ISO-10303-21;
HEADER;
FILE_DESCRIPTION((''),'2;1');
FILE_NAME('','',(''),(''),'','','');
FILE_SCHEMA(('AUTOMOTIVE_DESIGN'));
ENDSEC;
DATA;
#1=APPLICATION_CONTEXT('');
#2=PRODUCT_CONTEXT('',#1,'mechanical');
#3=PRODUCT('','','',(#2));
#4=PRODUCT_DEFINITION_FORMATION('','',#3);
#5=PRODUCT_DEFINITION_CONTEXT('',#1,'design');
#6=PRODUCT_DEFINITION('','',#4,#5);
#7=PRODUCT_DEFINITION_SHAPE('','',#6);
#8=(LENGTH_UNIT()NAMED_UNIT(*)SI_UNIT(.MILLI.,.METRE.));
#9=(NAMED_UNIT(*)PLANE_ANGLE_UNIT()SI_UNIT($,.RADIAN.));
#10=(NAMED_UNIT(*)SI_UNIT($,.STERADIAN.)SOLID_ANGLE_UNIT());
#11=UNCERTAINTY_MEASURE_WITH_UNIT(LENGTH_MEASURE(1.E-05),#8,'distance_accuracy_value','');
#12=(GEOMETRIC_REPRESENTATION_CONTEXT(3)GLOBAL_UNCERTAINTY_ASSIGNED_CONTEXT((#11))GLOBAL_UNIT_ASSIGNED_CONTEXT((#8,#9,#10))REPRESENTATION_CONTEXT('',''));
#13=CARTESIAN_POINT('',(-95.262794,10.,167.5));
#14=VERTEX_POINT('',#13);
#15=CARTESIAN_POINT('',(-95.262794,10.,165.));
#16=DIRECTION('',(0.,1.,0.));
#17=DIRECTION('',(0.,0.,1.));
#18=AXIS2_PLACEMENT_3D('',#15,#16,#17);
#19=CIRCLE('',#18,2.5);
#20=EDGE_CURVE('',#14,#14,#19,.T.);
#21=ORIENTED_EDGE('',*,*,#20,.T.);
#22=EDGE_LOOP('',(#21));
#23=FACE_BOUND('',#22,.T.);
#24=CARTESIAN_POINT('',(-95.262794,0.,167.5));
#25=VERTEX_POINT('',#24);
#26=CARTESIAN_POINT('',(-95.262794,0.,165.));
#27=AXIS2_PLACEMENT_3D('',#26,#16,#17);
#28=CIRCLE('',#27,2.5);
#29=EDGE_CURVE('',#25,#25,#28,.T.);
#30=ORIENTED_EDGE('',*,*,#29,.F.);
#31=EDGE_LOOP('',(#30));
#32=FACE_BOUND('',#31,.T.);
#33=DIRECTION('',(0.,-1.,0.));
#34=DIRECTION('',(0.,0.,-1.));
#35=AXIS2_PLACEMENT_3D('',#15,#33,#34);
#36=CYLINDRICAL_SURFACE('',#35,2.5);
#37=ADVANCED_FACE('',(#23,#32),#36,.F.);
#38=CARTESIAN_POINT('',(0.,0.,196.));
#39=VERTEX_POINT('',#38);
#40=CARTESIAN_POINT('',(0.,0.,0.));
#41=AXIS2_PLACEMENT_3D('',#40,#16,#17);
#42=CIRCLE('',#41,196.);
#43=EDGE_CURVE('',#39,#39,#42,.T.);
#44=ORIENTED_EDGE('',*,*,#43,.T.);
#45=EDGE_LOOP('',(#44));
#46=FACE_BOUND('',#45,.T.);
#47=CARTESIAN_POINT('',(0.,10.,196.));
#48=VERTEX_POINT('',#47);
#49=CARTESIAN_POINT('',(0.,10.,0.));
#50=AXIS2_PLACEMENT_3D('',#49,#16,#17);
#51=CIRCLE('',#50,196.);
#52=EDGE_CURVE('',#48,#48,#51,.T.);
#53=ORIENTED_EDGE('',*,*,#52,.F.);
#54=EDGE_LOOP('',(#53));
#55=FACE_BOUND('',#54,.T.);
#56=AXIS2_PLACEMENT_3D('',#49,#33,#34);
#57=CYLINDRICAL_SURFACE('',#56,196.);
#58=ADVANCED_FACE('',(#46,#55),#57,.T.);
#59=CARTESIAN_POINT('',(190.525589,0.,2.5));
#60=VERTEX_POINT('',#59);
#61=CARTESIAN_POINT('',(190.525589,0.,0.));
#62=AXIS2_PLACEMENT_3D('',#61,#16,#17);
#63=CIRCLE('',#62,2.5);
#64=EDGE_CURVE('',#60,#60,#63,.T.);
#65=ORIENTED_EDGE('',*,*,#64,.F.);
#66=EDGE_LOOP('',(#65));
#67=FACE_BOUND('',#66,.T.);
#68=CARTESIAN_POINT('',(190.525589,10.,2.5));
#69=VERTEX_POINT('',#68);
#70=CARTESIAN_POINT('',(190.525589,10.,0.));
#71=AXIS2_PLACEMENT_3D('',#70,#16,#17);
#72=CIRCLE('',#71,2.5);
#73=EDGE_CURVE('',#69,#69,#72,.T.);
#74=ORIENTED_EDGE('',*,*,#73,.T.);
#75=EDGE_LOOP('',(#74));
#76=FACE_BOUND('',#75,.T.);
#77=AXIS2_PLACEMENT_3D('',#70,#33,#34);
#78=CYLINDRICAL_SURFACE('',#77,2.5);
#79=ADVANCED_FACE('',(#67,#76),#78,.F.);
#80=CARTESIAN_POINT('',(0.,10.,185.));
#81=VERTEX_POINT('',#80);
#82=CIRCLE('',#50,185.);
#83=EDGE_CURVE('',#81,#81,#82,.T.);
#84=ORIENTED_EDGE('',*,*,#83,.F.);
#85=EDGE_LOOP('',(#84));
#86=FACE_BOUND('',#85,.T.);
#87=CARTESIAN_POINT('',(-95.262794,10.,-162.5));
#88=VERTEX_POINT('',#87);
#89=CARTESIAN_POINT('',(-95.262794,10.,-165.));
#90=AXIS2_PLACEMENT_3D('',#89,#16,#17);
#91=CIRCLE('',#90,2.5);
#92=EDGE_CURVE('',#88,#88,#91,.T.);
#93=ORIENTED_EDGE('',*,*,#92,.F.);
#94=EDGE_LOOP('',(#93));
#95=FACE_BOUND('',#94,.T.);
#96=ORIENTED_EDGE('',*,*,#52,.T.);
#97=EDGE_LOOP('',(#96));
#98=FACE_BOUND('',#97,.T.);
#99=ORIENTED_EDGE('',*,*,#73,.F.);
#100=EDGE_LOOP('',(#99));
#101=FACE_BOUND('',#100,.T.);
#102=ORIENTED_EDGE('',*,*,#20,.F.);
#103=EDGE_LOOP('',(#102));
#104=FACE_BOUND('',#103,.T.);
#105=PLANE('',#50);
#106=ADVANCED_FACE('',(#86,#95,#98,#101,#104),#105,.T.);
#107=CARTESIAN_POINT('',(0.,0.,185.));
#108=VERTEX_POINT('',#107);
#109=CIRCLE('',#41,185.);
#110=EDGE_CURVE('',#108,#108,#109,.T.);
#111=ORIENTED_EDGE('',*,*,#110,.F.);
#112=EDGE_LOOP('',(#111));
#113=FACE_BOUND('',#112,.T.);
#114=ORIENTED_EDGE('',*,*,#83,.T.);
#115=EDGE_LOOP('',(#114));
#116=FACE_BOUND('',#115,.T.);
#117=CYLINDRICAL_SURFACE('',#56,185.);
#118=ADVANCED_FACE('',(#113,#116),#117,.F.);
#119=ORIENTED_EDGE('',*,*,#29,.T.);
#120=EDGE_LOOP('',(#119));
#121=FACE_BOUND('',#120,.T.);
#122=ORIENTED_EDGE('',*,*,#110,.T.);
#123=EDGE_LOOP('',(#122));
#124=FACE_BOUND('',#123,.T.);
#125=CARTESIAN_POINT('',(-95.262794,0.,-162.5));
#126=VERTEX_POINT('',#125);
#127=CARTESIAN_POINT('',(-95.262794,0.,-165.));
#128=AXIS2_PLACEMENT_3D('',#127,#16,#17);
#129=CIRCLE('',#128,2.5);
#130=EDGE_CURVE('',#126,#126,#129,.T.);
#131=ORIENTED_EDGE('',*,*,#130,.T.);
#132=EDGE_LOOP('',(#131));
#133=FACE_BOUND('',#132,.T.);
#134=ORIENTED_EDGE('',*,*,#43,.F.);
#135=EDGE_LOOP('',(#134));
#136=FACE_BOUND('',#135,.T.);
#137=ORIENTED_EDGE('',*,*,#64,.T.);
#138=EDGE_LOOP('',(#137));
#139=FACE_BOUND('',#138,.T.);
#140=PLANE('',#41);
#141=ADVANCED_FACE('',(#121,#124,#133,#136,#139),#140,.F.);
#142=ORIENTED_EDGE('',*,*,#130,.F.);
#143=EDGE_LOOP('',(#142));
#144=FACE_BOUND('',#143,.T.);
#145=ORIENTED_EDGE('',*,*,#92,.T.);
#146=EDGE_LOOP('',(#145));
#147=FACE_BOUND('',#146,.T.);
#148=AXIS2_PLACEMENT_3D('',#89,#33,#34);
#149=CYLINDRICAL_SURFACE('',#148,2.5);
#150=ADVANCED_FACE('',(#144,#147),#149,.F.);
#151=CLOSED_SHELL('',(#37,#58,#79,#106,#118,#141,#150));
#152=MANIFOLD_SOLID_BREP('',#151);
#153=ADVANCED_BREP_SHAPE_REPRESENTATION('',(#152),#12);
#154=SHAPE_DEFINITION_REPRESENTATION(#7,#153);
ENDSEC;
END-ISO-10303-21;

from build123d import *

# Parameters (mm, degrees)
SKETCH_2_R      = 196
SKETCH_2_R_2    = 185
SKETCH_2_R_3    = 2.5
EXTRUDE_1_DEPTH = 10


with BuildPart() as part:
    # 草图2 → 凸台-拉伸1 (new body)
    with BuildSketch(Plane(origin=(0, 0, 0), x_dir=(1, 0, 0), z_dir=(0, 1, 0))):
        with Locations(Location((0, 0, 0), (0, 0, 270))):
            Circle(SKETCH_2_R)
        with Locations(Location((0, 0, 0), (0, 0, 270))):
            Circle(SKETCH_2_R_2, mode=Mode.SUBTRACT)
        with Locations(Location((-95.262794416, 165, 0), (0, 0, 270))):
            Circle(SKETCH_2_R_3, mode=Mode.SUBTRACT)
        with Locations(Location((190.525588833, 0, 0), (0, 0, 270))):
            Circle(SKETCH_2_R_3, mode=Mode.SUBTRACT)
        with Locations(Location((-95.262794416, -165, 0), (0, 0, 270))):
            Circle(SKETCH_2_R_3, mode=Mode.SUBTRACT)
    extrude(amount=EXTRUDE_1_DEPTH)


solid = part.part
